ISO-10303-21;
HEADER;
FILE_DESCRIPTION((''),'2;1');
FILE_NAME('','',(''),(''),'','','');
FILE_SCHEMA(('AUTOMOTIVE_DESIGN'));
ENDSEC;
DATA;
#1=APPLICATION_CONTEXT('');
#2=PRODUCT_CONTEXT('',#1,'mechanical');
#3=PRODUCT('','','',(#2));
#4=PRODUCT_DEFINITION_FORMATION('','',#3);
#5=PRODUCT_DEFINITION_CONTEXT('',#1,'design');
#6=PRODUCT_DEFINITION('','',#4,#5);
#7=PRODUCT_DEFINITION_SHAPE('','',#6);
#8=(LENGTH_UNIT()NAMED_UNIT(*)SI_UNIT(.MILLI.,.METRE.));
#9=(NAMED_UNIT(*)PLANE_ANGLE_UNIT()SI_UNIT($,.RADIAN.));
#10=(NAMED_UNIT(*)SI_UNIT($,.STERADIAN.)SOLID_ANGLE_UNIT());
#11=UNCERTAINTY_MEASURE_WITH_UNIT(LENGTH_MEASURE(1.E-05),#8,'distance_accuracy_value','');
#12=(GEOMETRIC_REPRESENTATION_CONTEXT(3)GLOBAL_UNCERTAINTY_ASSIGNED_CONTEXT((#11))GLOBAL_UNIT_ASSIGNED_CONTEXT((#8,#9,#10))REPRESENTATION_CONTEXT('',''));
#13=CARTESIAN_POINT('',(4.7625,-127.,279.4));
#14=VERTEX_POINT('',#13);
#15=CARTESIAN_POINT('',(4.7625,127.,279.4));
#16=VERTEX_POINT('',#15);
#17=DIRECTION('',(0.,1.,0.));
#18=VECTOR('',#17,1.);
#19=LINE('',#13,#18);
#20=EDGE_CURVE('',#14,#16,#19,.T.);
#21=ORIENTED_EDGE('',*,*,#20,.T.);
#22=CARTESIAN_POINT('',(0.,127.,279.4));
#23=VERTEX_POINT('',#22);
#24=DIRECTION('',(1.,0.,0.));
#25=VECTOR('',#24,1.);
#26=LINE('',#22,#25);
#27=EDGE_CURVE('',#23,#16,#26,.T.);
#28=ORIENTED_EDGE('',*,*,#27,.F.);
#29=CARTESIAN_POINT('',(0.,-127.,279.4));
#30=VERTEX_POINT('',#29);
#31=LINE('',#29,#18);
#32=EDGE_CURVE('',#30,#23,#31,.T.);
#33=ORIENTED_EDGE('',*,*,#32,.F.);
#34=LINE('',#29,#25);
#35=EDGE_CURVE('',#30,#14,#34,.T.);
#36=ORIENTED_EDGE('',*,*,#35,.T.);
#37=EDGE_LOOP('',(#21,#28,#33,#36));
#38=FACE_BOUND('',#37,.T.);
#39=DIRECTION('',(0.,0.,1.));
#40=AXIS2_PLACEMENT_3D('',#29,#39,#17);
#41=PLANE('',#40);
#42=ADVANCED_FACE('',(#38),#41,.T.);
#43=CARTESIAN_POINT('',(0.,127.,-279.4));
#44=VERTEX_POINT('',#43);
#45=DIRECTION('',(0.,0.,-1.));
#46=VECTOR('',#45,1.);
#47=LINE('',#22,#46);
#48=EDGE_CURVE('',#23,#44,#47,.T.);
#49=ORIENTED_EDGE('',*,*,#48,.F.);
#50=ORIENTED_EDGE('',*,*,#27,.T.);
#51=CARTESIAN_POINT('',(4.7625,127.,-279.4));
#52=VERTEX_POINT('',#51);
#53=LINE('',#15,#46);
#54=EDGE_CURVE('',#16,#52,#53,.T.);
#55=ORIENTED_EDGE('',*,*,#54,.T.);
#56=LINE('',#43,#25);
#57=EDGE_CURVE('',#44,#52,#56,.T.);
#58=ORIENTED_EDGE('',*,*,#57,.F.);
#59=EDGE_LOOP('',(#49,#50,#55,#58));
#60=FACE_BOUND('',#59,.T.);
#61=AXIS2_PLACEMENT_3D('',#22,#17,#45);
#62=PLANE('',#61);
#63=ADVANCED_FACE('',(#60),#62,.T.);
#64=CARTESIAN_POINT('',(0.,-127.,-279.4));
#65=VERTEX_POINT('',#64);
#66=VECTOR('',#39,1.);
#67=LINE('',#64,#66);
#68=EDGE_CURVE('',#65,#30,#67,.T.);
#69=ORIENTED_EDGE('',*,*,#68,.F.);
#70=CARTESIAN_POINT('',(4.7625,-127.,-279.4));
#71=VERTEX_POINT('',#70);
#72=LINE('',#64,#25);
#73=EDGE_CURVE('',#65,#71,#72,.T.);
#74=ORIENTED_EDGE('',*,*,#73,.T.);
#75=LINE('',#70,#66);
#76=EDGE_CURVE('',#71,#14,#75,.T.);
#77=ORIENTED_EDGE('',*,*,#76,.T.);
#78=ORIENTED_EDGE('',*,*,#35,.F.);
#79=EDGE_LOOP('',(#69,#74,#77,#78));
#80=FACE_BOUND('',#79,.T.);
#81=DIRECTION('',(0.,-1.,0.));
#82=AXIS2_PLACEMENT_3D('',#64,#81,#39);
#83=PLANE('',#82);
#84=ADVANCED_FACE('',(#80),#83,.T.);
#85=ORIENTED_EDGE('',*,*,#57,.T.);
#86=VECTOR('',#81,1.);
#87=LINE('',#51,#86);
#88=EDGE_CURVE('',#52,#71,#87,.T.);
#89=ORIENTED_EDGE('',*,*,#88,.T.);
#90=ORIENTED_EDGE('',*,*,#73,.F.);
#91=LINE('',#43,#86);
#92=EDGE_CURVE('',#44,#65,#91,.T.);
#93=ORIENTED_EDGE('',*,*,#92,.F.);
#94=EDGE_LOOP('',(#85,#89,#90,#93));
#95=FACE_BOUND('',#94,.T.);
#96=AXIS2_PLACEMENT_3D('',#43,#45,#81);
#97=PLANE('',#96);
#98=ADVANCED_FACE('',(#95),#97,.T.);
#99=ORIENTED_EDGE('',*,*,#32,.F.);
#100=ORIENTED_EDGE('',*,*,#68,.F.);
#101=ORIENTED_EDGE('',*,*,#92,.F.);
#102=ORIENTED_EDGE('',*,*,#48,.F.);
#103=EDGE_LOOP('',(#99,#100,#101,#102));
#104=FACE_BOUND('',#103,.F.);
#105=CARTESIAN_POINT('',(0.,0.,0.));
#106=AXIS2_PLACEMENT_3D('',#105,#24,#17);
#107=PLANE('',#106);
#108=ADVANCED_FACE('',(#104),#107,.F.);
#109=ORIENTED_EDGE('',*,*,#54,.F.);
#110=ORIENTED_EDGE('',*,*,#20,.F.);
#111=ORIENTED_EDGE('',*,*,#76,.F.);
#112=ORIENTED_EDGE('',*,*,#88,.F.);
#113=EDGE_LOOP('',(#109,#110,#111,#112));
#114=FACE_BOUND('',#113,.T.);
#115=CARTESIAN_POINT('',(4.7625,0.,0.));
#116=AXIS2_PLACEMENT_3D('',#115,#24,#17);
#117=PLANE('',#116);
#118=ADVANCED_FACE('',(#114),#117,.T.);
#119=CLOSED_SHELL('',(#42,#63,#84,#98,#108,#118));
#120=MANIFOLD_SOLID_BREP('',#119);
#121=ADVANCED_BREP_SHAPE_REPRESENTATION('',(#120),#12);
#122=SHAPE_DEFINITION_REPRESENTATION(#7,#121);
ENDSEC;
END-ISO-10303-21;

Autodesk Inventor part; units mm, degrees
ref_plane "YZ Plane" through (0, 0, 0) normal (1, 0, 0) x (0, 1, 0)
ref_plane "XZ Plane" through (0, 0, 0) normal (0, 1, 0) x (-1, 0, 0)
ref_plane "XY Plane" through (0, 0, 0) normal (0, 0, 1) x (1, 0, 0)
sketch "Sketch1" plane through (0, 0, 0) normal (1, 0, 0) x (0, 1, 0)
  line L0 (-127, 279.4) -> (127, 279.4)
  line L1 (127, 279.4) -> (127, -279.4)
  line L2 (127, -279.4) -> (-127, -279.4)
  line L3 (-127, -279.4) -> (-127, 279.4)
  line L4 (-127, 279.4) -> (127, -279.4) construction
  line L5 (127, 279.4) -> (-127, -279.4) construction
  point P0 (0, 0)
  dimension "d0" = 558.8
  dimension "d1" = 254
extrude "Plate1" add sketch "Sketch1" along normal blind 4.7625
equation "\"BendRadius\" = Thickness"
equation "\"BendReliefWidth\" = Thickness"
equation "\"BendReliefDepth\" = 0.5 * Thickness"
equation "\"CornerReliefSize\" = 4 * Thickness"
equation "\"MinimumRemnant\" = 2 * Thickness"
equation "\"TransitionRadius\" = BendRadius"
equation "\"JacobiRadiusSize\" = BendRadius"
equation "\"GapSize\" = Thickness"
equation "\"d2\" = BendRadius"
equation "\"Thickness\" = 4.7625"
properties part number "plow" material "Steel, Mild"
